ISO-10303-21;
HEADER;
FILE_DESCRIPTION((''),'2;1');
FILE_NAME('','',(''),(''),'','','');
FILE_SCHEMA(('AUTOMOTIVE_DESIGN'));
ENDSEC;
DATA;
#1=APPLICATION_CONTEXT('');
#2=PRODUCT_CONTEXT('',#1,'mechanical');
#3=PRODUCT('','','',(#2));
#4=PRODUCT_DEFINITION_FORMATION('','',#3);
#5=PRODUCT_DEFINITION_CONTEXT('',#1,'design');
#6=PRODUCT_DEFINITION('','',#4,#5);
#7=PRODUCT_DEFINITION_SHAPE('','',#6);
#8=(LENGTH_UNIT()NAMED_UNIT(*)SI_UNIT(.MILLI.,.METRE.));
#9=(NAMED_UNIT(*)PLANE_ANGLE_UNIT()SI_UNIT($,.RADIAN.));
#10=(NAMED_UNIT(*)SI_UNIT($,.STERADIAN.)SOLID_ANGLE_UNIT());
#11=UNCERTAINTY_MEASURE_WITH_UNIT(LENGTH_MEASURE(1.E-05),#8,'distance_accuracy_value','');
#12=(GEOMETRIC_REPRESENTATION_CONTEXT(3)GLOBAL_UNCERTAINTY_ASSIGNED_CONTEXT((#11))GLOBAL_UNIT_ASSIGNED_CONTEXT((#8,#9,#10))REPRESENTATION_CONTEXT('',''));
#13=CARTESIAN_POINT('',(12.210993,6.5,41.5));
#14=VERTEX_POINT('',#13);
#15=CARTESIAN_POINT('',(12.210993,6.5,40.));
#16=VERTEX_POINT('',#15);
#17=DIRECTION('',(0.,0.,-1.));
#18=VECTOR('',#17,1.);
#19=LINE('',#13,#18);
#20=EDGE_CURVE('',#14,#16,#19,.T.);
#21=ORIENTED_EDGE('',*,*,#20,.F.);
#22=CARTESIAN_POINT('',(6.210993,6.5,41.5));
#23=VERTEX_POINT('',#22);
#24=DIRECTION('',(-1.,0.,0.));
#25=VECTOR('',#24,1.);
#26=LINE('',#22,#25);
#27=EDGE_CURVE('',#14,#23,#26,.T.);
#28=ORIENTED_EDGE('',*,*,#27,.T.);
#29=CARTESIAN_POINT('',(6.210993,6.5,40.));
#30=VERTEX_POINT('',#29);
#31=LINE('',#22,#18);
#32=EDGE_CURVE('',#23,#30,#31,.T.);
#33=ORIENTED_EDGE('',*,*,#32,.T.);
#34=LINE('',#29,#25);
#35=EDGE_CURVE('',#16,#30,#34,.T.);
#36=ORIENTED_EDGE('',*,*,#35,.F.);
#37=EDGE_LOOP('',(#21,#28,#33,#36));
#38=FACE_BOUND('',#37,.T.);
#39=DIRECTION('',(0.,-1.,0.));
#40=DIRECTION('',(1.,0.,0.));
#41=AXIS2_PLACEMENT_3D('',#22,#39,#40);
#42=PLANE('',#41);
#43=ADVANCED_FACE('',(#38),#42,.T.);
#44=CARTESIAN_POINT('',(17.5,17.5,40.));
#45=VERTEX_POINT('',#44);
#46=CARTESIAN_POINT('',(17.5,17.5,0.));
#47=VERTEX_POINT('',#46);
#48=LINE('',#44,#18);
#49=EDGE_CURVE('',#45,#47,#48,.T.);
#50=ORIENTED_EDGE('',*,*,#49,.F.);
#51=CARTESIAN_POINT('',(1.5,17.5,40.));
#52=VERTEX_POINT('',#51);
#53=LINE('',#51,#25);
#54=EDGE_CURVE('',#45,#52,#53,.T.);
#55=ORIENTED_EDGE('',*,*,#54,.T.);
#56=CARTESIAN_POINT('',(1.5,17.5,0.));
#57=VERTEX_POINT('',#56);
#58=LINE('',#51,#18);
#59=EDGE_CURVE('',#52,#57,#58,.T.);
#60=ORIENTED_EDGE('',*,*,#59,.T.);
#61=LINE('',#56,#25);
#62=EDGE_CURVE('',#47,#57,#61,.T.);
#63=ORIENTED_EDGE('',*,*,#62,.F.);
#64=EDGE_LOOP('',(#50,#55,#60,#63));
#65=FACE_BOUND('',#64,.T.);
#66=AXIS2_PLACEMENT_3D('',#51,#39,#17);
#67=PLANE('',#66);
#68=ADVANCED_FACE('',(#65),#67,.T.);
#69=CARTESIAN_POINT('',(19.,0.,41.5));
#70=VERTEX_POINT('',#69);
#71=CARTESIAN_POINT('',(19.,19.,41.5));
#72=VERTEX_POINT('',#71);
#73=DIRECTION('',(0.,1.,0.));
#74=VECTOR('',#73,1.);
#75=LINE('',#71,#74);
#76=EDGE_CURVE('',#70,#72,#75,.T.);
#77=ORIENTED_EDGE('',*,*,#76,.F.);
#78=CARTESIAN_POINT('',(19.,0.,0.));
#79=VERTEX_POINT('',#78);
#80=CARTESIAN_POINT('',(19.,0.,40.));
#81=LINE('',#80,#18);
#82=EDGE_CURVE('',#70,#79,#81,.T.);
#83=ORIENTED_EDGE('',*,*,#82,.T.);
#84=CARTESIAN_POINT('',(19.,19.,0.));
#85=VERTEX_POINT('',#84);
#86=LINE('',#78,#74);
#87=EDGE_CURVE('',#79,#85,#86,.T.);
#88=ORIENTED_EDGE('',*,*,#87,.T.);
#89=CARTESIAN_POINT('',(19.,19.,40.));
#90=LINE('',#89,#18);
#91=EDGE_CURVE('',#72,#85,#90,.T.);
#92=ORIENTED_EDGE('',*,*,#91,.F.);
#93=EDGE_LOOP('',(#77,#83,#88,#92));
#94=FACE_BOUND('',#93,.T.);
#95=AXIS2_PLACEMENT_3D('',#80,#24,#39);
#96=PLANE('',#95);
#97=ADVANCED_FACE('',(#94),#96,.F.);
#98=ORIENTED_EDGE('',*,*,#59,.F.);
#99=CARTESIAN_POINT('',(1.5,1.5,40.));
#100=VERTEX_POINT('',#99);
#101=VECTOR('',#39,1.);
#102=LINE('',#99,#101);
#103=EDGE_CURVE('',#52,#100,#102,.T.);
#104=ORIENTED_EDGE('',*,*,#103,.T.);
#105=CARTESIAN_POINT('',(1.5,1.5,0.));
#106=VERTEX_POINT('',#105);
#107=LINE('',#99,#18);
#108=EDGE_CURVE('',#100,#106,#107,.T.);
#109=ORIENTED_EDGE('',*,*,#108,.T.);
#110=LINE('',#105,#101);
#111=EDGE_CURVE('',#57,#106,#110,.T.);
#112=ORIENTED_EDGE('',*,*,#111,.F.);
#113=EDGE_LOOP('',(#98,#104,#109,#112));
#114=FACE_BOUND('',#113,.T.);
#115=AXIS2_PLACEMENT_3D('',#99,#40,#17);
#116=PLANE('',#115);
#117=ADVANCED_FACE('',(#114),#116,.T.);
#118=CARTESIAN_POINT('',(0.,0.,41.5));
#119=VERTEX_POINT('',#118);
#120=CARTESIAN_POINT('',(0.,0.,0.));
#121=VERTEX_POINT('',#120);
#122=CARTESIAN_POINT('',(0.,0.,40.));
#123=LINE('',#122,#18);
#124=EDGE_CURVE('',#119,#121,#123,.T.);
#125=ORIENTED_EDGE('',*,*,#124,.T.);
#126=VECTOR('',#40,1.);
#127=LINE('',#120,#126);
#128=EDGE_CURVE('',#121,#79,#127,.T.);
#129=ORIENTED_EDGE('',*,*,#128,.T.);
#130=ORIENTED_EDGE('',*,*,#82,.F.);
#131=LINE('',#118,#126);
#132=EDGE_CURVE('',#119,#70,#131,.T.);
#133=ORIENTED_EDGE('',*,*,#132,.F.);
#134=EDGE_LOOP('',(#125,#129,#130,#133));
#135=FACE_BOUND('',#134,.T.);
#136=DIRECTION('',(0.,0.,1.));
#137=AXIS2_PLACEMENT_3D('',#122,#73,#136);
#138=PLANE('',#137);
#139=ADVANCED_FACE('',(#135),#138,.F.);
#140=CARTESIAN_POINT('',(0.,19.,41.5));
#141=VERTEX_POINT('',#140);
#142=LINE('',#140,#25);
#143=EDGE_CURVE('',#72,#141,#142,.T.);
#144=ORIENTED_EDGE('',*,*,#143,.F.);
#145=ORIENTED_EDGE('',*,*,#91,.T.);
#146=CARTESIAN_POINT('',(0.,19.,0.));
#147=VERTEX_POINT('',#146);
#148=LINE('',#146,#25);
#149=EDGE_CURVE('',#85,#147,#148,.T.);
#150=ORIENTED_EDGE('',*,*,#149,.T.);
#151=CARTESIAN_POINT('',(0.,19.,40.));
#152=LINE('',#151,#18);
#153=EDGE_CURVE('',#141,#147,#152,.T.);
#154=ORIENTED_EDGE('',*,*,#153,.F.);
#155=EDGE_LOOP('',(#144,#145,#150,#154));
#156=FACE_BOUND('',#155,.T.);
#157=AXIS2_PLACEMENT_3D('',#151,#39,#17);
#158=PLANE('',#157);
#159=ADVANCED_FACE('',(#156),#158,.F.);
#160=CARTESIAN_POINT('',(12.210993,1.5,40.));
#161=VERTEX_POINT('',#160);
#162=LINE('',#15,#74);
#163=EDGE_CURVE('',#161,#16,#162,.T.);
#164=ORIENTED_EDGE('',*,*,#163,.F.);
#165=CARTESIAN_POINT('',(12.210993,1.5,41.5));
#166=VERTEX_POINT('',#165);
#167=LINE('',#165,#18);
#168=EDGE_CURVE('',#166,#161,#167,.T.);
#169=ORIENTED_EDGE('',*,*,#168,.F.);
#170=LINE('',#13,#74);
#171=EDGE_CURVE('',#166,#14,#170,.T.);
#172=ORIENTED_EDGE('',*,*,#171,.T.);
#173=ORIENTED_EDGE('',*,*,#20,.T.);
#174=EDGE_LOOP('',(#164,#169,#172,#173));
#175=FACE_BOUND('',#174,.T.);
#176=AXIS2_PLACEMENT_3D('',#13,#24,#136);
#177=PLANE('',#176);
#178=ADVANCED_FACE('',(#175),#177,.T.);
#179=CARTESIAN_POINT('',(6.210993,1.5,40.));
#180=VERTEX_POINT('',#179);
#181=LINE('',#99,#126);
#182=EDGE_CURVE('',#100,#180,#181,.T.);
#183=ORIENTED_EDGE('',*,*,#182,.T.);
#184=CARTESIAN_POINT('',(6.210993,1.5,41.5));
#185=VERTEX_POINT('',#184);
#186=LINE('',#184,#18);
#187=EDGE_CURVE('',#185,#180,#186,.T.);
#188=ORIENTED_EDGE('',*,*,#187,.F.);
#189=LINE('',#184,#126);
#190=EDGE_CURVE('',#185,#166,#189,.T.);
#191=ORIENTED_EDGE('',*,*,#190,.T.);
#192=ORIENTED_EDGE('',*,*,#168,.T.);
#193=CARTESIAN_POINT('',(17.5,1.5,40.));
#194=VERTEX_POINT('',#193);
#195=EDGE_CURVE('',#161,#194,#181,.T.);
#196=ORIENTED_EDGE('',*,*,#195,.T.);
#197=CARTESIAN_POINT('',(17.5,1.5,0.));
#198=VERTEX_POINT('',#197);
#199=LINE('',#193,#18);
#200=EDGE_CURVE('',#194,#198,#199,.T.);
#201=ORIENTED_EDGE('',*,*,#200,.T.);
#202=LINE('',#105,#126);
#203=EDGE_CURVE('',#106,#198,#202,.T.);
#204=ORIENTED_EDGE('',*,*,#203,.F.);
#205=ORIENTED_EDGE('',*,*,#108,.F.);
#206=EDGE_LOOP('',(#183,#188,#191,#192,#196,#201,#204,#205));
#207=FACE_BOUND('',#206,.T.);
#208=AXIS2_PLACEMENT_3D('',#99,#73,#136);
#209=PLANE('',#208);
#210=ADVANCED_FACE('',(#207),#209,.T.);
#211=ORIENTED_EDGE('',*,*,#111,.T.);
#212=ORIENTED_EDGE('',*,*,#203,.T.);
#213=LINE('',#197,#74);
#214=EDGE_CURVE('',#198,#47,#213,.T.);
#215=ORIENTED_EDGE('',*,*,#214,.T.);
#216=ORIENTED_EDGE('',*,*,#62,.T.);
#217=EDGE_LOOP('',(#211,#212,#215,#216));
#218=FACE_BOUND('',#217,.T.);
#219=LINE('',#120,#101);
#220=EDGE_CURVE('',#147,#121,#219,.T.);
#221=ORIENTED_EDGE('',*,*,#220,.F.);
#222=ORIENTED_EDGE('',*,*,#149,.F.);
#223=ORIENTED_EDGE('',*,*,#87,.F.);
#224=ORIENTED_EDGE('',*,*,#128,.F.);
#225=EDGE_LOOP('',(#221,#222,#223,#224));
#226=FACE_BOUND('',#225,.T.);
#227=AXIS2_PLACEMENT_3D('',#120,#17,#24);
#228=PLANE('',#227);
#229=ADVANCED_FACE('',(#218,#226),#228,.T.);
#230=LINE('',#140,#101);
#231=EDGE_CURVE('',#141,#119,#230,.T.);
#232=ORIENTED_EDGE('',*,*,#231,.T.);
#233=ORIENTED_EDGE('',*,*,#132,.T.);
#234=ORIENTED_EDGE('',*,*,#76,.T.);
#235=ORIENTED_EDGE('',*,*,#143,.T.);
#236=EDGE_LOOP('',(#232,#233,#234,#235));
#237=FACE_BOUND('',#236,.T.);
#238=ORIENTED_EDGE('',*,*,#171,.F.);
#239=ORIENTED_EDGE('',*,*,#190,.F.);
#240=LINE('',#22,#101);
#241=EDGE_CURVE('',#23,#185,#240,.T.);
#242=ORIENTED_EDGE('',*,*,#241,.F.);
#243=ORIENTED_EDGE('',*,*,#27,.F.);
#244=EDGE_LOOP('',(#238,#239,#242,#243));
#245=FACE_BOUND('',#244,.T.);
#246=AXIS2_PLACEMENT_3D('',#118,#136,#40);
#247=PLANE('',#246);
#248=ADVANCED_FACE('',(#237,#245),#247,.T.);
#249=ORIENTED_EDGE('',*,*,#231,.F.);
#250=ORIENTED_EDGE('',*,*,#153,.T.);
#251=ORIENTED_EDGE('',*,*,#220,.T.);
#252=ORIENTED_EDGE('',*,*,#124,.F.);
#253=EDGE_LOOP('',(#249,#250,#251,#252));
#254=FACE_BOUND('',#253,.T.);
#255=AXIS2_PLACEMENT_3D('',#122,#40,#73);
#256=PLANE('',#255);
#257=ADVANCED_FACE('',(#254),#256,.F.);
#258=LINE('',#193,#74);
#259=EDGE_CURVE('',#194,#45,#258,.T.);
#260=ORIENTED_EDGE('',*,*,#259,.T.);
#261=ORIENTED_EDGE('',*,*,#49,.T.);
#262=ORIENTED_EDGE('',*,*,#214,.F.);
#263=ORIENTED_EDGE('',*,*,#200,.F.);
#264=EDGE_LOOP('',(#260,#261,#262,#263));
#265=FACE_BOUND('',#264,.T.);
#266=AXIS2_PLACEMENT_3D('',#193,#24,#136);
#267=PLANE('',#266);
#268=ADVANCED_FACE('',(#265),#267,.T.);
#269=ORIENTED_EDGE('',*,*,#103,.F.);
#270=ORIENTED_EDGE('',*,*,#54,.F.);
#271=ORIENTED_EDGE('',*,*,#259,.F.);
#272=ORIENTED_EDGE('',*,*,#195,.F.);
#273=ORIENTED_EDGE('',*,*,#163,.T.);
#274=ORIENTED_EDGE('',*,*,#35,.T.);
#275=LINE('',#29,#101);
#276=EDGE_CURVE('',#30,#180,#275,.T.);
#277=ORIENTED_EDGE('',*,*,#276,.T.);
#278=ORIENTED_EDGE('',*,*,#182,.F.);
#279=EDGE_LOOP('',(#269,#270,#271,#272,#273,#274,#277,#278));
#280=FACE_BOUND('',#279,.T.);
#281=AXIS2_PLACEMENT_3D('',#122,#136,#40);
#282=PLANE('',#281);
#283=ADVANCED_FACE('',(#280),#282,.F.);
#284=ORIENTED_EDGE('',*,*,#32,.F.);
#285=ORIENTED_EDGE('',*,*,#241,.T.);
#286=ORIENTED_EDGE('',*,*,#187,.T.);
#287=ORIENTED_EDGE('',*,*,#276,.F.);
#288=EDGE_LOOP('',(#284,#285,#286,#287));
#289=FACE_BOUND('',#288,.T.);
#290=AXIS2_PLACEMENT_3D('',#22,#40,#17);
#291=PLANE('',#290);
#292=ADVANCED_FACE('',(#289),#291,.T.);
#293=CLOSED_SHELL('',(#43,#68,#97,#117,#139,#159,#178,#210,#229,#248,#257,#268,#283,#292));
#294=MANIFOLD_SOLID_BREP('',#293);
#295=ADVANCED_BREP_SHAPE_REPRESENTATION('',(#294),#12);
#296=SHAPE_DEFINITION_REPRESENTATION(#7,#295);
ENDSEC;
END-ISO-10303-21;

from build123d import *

# Parameters (mm, degrees)
SKETCH_1_W      = 19
SKETCH_1_H      = 19
SKETCH_1_W_2    = 16
SKETCH_1_H_2    = 16
EXTRUDE_1_DEPTH = 40
SKETCH_2_W      = 19
SKETCH_2_H      = 19
SKETCH_2_W_2    = 6
SKETCH_2_H_2    = 5
EXTRUDE_2_DEPTH = 1.5


with BuildPart() as part:
    # 草图1 → 凸台-拉伸1 (new body)
    with BuildSketch(Plane.XY):
        with Locations((9.5, 9.5)):
            Rectangle(SKETCH_1_W, SKETCH_1_H)
        with Locations((9.5, 9.5)):
            Rectangle(SKETCH_1_W_2, SKETCH_1_H_2, mode=Mode.SUBTRACT)
    extrude(amount=EXTRUDE_1_DEPTH)

    # 草图2 → 凸台-拉伸2 (add)
    with BuildSketch(Plane.XY.offset(40)):
        with Locations((9.5, 9.5)):
            Rectangle(SKETCH_2_W, SKETCH_2_H)
        with Locations((9.210992581, 4)):
            Rectangle(SKETCH_2_W_2, SKETCH_2_H_2, mode=Mode.SUBTRACT)
    extrude(amount=EXTRUDE_2_DEPTH)


solid = part.part
